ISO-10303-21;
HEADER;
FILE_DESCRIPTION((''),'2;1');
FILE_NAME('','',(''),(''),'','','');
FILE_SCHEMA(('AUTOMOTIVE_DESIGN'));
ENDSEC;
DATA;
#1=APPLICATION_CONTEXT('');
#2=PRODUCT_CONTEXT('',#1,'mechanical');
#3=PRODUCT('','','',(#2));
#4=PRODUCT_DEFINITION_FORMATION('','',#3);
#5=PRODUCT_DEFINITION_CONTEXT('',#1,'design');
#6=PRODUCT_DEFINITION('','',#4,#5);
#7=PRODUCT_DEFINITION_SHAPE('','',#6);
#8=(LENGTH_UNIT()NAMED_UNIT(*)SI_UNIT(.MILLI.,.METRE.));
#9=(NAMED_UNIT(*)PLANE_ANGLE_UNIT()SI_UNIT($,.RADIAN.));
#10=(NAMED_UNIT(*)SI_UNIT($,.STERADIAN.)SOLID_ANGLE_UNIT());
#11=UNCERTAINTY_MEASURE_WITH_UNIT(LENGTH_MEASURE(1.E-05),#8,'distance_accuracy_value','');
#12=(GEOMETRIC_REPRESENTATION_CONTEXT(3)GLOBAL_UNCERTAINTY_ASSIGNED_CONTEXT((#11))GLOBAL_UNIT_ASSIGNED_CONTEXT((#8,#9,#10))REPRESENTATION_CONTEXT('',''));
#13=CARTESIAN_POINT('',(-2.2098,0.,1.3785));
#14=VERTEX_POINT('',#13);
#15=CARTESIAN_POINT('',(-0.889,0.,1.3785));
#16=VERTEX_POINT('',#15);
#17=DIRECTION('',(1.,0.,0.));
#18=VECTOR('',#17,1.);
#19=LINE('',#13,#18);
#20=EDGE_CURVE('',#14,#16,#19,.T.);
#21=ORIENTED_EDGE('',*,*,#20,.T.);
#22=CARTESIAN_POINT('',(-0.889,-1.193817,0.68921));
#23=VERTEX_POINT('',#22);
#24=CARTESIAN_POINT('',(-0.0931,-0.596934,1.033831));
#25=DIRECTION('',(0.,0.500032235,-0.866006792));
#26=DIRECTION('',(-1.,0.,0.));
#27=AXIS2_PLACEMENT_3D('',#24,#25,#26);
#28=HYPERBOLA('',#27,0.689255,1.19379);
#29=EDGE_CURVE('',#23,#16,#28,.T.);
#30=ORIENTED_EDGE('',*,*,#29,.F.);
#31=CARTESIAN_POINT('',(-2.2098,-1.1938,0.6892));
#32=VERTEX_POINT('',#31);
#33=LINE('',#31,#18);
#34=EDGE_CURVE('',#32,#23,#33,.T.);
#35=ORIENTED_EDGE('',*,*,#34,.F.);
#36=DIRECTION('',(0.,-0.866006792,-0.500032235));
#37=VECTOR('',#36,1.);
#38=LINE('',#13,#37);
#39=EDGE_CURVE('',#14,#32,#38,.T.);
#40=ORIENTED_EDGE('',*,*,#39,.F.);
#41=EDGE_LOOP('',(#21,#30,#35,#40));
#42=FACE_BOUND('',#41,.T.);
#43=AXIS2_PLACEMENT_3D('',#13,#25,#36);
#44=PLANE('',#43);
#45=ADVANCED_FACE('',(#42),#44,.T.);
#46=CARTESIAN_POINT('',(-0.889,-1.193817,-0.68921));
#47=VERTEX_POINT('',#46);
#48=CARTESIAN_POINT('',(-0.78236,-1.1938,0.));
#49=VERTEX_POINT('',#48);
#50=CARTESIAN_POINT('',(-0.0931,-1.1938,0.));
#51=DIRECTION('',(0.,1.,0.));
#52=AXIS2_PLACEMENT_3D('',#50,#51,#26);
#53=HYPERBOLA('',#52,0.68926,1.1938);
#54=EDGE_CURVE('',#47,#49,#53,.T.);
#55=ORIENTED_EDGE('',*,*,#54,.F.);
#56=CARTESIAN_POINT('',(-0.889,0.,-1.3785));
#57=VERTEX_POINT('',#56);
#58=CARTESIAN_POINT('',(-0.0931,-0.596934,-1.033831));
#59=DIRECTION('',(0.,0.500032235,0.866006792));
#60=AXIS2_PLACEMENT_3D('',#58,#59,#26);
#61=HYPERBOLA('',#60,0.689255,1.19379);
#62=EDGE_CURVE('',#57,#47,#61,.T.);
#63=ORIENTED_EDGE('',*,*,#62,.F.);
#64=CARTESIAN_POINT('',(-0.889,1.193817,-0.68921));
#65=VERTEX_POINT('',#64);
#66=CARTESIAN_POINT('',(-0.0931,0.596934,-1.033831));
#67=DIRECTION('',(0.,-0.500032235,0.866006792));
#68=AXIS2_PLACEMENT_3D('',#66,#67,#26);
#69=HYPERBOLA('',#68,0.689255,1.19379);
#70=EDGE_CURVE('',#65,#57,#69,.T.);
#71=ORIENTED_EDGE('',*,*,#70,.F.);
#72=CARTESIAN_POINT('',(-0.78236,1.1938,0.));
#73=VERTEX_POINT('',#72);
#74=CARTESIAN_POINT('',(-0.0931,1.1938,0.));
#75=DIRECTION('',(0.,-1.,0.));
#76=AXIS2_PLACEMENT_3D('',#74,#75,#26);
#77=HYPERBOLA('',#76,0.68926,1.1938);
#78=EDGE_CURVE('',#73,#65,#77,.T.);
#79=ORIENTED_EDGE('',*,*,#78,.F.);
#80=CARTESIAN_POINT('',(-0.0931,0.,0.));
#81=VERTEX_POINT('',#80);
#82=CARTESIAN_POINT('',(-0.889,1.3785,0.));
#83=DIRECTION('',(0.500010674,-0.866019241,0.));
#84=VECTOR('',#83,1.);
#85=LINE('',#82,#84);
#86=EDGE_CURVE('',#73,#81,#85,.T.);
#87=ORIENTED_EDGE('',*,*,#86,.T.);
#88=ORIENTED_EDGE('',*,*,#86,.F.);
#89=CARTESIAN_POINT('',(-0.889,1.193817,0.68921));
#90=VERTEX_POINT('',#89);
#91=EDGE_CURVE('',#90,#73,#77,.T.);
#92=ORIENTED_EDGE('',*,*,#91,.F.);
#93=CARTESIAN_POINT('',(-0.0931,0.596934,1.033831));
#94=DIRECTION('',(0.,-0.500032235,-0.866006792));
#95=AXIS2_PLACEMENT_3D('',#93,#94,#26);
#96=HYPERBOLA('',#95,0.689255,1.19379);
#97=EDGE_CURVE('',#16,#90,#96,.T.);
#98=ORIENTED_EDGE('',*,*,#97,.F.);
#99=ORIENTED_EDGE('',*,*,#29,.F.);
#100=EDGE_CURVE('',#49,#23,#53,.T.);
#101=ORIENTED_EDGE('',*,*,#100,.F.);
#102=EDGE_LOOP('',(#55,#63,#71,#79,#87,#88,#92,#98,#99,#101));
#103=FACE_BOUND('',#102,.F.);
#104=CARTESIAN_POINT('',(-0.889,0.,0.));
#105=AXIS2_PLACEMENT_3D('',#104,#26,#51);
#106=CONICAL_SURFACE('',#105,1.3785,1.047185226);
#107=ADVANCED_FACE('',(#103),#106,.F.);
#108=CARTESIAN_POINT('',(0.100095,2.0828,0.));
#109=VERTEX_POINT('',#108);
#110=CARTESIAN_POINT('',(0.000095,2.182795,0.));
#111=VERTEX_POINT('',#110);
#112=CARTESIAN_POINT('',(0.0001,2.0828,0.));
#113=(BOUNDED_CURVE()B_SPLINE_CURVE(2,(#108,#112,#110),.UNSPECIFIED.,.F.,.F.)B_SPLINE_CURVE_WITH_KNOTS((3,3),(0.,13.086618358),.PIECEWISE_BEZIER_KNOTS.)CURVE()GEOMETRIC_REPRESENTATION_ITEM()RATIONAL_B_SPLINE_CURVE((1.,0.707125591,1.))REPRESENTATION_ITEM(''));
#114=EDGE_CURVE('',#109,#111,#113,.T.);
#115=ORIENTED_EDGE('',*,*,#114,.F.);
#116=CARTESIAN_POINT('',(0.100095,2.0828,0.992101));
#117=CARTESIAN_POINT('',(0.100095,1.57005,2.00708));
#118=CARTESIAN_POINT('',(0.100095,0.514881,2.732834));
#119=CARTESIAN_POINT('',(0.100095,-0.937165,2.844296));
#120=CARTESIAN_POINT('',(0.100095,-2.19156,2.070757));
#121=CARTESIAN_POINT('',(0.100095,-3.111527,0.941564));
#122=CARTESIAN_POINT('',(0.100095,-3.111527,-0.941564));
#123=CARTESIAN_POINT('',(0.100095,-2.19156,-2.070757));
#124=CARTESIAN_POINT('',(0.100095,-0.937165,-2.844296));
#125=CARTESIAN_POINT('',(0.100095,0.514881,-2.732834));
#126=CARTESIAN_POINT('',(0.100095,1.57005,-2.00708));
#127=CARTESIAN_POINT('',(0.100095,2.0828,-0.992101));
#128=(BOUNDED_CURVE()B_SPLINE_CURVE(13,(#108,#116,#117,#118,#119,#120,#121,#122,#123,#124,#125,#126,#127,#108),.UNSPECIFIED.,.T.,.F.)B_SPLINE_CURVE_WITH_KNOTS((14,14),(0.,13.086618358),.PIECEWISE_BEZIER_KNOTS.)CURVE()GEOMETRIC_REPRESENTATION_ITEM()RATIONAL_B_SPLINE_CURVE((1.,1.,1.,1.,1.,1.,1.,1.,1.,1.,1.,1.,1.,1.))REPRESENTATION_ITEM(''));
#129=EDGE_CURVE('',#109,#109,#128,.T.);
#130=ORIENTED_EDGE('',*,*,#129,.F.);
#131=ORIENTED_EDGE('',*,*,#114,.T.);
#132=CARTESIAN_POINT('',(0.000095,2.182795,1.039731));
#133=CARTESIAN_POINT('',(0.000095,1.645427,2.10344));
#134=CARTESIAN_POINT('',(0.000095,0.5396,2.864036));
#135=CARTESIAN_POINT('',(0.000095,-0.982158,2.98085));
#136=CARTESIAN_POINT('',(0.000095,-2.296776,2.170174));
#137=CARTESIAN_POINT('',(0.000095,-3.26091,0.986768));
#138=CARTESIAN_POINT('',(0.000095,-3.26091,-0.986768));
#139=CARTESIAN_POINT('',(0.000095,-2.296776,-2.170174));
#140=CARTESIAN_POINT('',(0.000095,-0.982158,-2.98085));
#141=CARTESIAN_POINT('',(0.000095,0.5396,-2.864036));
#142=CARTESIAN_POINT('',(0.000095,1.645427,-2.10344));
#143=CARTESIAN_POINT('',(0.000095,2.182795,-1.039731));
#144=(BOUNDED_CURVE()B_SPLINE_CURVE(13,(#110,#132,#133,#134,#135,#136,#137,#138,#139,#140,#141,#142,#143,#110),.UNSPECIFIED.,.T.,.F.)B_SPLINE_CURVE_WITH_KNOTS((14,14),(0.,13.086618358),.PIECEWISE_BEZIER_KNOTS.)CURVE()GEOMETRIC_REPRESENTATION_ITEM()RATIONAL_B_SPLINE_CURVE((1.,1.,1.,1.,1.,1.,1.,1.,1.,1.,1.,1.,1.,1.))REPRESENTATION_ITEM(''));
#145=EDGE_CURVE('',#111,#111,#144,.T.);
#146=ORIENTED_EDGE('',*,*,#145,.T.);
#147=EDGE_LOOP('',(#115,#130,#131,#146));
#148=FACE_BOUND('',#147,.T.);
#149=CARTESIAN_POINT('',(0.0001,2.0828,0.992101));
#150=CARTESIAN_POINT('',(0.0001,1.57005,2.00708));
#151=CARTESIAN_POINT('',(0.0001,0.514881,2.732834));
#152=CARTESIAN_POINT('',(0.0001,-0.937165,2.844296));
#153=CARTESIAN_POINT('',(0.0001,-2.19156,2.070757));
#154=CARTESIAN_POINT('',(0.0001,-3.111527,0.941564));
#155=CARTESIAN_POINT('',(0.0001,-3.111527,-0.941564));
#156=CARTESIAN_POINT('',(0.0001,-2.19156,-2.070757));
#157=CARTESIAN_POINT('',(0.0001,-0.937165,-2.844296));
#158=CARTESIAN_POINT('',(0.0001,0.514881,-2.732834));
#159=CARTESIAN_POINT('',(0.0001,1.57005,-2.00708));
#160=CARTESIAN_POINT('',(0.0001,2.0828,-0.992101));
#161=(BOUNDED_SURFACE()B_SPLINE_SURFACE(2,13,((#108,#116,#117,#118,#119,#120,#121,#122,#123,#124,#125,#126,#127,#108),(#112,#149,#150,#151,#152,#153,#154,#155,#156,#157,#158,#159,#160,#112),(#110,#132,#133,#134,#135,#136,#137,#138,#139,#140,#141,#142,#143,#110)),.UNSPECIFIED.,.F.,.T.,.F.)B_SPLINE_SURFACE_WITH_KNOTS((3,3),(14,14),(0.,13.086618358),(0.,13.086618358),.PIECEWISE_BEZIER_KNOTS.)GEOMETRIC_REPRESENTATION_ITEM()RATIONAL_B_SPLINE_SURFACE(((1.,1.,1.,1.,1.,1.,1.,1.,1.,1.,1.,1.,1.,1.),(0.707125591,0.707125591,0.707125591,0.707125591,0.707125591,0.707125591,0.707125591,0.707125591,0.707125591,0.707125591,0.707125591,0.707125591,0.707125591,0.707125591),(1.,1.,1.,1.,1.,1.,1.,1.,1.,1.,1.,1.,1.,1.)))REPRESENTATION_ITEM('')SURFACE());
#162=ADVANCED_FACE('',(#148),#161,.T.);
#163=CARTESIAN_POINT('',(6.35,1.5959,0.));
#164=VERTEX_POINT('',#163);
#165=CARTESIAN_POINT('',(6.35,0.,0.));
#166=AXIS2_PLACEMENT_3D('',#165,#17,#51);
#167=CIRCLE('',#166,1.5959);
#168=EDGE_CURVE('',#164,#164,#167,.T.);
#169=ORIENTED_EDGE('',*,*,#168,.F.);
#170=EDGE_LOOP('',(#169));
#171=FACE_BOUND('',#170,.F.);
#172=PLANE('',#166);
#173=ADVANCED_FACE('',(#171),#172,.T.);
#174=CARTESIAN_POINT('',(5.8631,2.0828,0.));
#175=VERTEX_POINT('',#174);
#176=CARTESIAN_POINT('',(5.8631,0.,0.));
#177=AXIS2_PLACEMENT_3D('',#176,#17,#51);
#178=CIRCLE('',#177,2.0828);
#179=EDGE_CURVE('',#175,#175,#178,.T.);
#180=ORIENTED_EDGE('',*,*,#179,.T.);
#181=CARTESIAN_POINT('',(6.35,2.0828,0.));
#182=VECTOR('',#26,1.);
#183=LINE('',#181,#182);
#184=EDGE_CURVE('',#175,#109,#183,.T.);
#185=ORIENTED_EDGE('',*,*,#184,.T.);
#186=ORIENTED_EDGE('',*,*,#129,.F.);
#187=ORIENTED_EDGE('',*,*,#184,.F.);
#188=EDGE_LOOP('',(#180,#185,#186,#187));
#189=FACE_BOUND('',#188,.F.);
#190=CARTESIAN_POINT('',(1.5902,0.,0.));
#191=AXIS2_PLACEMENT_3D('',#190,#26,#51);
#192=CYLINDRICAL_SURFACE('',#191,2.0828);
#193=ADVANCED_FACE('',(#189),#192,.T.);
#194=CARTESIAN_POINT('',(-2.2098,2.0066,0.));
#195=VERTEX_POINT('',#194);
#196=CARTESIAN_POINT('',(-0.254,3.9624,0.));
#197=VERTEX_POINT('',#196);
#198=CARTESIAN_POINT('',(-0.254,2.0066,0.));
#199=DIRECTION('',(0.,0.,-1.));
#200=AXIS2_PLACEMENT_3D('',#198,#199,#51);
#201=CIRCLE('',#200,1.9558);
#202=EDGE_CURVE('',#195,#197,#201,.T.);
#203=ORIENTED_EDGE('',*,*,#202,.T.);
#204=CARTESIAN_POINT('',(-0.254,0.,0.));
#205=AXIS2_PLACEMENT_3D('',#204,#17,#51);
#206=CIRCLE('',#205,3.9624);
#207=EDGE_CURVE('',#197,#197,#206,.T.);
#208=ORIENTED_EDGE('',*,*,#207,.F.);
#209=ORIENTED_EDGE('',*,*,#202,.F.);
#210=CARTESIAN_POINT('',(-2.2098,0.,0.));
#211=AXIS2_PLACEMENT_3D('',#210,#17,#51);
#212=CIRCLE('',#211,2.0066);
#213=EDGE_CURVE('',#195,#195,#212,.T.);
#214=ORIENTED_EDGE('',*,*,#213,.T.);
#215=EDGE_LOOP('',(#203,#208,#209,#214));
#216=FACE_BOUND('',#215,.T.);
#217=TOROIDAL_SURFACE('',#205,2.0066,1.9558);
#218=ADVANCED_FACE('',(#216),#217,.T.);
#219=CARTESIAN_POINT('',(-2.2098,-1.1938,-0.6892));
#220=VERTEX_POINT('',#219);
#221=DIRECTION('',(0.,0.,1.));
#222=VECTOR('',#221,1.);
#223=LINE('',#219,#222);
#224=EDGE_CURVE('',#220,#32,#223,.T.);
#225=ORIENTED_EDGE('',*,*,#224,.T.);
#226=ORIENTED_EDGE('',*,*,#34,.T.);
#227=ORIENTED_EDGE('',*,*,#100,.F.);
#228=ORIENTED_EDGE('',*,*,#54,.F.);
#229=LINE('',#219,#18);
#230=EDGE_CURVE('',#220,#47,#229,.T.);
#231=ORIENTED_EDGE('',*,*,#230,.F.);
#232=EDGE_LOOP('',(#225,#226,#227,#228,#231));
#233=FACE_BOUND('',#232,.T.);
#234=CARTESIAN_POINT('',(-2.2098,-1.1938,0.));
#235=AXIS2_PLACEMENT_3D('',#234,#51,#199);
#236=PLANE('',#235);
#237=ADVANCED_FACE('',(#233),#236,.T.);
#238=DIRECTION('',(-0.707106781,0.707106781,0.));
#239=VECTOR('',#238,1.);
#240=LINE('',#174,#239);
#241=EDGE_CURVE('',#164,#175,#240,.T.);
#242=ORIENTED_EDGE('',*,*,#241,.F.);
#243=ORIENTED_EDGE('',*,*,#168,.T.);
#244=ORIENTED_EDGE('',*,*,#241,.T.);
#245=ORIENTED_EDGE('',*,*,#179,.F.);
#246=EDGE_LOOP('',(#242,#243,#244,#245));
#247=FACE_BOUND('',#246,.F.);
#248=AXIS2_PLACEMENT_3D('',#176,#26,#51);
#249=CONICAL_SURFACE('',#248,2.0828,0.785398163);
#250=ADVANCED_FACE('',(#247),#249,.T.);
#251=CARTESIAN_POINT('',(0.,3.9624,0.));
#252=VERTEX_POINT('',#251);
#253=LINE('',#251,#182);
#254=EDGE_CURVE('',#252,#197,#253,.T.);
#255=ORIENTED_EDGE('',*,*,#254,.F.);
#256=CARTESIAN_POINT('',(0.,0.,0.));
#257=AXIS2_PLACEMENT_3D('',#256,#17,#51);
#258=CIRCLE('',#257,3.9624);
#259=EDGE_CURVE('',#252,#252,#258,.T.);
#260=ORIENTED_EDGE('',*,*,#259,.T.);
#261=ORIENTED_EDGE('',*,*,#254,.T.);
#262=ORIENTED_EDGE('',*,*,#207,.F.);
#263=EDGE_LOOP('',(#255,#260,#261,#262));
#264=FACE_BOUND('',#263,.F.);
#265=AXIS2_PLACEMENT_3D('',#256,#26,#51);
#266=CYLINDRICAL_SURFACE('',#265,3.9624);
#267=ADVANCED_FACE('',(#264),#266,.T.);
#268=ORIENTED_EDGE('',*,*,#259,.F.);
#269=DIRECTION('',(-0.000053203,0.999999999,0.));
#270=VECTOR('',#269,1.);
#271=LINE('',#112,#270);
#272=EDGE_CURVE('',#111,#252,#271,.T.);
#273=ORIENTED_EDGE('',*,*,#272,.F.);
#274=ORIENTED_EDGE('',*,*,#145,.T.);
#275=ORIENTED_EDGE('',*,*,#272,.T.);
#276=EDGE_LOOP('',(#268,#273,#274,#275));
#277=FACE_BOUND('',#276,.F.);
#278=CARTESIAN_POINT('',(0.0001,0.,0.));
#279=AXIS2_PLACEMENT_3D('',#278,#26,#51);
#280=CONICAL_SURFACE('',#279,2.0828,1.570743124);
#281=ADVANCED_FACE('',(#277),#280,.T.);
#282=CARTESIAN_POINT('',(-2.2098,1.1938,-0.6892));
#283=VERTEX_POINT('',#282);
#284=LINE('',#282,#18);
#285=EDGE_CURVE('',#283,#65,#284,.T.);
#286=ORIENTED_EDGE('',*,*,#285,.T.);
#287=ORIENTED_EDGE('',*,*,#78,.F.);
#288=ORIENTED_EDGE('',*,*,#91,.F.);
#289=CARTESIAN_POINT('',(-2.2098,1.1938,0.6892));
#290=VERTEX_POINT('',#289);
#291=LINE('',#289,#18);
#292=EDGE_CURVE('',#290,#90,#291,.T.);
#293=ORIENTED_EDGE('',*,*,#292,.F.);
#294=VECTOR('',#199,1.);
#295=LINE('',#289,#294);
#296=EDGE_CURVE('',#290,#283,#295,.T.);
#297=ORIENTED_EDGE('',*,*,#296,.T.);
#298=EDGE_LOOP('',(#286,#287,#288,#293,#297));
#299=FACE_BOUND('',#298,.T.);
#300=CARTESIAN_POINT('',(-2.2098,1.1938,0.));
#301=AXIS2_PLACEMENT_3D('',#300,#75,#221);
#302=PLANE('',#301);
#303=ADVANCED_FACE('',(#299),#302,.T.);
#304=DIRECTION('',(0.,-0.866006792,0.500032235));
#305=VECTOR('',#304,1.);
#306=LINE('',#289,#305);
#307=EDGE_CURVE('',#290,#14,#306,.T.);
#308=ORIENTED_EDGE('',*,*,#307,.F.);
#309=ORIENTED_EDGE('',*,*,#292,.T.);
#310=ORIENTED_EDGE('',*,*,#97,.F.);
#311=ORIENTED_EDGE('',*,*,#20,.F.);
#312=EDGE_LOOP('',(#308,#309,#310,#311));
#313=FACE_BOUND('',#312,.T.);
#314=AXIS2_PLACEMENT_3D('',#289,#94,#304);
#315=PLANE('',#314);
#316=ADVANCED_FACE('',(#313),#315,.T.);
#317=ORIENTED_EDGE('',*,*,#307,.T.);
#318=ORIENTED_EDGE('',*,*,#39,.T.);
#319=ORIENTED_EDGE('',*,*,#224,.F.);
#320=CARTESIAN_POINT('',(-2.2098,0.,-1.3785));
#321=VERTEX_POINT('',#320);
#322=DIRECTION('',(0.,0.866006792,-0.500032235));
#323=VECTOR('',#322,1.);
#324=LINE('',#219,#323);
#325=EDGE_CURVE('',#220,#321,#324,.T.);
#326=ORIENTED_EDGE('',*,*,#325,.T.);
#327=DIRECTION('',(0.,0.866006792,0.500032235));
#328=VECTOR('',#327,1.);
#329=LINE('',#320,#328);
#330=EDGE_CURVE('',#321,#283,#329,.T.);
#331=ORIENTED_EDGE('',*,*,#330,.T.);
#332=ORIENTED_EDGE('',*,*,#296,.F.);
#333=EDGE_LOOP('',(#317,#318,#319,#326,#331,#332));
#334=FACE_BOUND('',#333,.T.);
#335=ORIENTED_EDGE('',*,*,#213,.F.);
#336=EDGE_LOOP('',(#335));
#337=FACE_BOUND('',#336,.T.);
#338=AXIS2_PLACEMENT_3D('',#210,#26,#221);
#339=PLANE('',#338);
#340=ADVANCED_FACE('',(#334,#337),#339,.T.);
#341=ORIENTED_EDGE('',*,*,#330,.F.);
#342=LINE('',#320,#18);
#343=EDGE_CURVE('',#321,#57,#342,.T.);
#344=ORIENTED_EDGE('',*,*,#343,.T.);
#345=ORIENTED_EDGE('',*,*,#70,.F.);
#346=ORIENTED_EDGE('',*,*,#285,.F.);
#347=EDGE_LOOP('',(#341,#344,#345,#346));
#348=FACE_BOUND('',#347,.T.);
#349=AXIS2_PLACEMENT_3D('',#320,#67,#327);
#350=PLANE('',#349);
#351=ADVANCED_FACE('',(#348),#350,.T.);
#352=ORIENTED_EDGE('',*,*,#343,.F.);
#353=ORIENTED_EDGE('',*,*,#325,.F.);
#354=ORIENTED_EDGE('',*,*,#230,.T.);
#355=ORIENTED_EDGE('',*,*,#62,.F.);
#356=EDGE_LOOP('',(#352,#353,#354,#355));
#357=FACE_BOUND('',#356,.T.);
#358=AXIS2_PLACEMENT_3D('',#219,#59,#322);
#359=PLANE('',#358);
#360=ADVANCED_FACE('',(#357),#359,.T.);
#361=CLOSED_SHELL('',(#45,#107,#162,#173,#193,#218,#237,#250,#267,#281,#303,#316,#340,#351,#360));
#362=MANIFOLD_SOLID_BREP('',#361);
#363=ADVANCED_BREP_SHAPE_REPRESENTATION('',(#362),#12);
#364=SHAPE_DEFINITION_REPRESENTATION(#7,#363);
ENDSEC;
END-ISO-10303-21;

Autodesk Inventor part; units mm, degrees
ref_plane "YZ Plane" through (0, 0, 0) normal (1, 0, 0) x (0, 1, 0)
ref_plane "XZ Plane" through (0, 0, 0) normal (0, 1, 0) x (-1, 0, 0)
sketch "Sketch1" plane through (0, 0, 0) normal (0, 0, 1) x (1, 0, 0)
  line L0 (-0.0931, 0) -> (6.35, 0)
  line L1 (6.35, 0) -> (6.35, 2.0828)
  line L2 (6.35, 2.0828) -> (1.5902, 2.0828)
  line L3 (1.5902, 2.0828) -> (0.0001, 2.0828)
  line L4 (0.0001, 2.0828) -> (0, 2.0828)
  line L5 (0, 2.0828) -> (0, 3.9624)
  line L6 (0, 3.9624) -> (-2.2098, 3.9624)
  line L7 (-2.2098, 3.9624) -> (-2.2098, 1.3785)
  line L8 (-2.2098, 1.3785) -> (-0.889, 1.3785)
  line L9 (-0.889, 1.3785) -> (-0.0931, 0)
  line L10 (-3.9218, 0) -> (8.062, 0) projected
  line L11 (0, -0.7925) -> (0, 4.7549) projected
  line L12 (1.5902, 2.0828) -> (0, 2.0828) construction
  dimension "d1" = 4.7598
  dimension "d2" = 1.5901
  dimension "d3" = 2.2098
  dimension "d4" = 1.3208
  dimension "d5" = 60
  dimension "d6" = 4.1656
  dimension "d7" = 4.1656
  dimension "d8" = 2.757
  dimension "d9" = 7.9248
  dimension "d26" = 6.35
revolve "Body" add sketch "Sketch1" angle 360 about axis through (-0.0931, 0, 0) along (1, 0, 0)
sketch "Sketch2" plane through (-2.2098, 0, 0) normal (-1, 0, 0) x (0, 0, 1)
  circle A0 centre (0, 0) radius 1.3785 projected
  line L0 (0, -5.5474) -> (0, 5.5474) projected
  line L1 (-5.5474, 0) -> (5.5474, 0) projected
  line L2 (1.3785, 0) -> (0.6892, -1.1938)
  line L3 (0.6892, -1.1938) -> (-0.6892, -1.1938)
  line L4 (-0.6892, -1.1938) -> (-1.3785, 0)
  line L5 (-1.3785, 0) -> (-0.6892, 1.1938)
  line L6 (-0.6892, 1.1938) -> (0.6892, 1.1938)
  line L7 (0.6892, 1.1938) -> (1.3785, 0)
extrude "Slot" add sketch "Sketch2" against normal up to next contours L7 A0 | A0 L2 | L6 L0 A0 | A0 L0 L3 | L0 L6 A0 | A0 L3 L0 | L4 A0 | A0 L5
fillet "Fillet1" radius 1.9558 1 edges at (-2.2098, -3.9624, 0)
thread "Thread" size "8-32 UNC" class "2A" standard "ANSI Unified Screw Threads" length 4.7598
chamfer "Chamfer1" distance 0.4869 distance2 0.4869 1 edges at (6.35, -2.0828, 0) measured on face at (6.35, -0.5197, -0.4604)
ref_plane "Work Plane1" through (29, 0, 0) normal (0, -1, 0) x (1, 0, 0)
fillet "Fillet2" radius 0.1 1 edges at (0.0001, -2.0828, 0)
equation "\"d1\" = GEL"
equation "\"d3\" = KOH"
equation "\"d4\" = INTI"
equation "\"d6\" = GD"
equation "\"d7\" = BDM"
equation "\"d8\" = 1.1547 * SW"
equation "\"d9\" = KOD"
equation "\"d26\" = NLG"
equation "\"d30\" = R"
equation "\"d17\" = RR"
equation "\"d13\" = GEL"
equation "\"d15\" = -0.5 * SPD + 0.5 * GD"
equation "\"d16\" = GUL"
equation "\"GD\" = NND"
equation "\"NLG\" = 6.35"
equation "\"GEL\" = 4.75976"
equation "\"KOD\" = 7.9248"
equation "\"KOH\" = 2.2098"
equation "\"INTI\" = 1.3208"
equation "\"GAL\" = 1.59004"
equation "\"GUL\" = 0.48692"
equation "\"BDM\" = NND"
equation "\"SW\" = 2.3876"
equation "\"RR\" = 1.9558"
equation "\"SPD\" = 3.19176"
equation "\"R\" = 0.1"
equation "\"TOA\" = 30deg"
equation "\"GD1\" = SPD"
equation "\"THREADDIA\" = 4.1656"
equation "\"KOH1\" = 0.381"
equation "\"NND\" = 4.1656"
equation "\"E0\" = 2.75768"
properties part number "ANSI B18.3 - 8 - 32 x 1/4" material "Steel, Mild"
